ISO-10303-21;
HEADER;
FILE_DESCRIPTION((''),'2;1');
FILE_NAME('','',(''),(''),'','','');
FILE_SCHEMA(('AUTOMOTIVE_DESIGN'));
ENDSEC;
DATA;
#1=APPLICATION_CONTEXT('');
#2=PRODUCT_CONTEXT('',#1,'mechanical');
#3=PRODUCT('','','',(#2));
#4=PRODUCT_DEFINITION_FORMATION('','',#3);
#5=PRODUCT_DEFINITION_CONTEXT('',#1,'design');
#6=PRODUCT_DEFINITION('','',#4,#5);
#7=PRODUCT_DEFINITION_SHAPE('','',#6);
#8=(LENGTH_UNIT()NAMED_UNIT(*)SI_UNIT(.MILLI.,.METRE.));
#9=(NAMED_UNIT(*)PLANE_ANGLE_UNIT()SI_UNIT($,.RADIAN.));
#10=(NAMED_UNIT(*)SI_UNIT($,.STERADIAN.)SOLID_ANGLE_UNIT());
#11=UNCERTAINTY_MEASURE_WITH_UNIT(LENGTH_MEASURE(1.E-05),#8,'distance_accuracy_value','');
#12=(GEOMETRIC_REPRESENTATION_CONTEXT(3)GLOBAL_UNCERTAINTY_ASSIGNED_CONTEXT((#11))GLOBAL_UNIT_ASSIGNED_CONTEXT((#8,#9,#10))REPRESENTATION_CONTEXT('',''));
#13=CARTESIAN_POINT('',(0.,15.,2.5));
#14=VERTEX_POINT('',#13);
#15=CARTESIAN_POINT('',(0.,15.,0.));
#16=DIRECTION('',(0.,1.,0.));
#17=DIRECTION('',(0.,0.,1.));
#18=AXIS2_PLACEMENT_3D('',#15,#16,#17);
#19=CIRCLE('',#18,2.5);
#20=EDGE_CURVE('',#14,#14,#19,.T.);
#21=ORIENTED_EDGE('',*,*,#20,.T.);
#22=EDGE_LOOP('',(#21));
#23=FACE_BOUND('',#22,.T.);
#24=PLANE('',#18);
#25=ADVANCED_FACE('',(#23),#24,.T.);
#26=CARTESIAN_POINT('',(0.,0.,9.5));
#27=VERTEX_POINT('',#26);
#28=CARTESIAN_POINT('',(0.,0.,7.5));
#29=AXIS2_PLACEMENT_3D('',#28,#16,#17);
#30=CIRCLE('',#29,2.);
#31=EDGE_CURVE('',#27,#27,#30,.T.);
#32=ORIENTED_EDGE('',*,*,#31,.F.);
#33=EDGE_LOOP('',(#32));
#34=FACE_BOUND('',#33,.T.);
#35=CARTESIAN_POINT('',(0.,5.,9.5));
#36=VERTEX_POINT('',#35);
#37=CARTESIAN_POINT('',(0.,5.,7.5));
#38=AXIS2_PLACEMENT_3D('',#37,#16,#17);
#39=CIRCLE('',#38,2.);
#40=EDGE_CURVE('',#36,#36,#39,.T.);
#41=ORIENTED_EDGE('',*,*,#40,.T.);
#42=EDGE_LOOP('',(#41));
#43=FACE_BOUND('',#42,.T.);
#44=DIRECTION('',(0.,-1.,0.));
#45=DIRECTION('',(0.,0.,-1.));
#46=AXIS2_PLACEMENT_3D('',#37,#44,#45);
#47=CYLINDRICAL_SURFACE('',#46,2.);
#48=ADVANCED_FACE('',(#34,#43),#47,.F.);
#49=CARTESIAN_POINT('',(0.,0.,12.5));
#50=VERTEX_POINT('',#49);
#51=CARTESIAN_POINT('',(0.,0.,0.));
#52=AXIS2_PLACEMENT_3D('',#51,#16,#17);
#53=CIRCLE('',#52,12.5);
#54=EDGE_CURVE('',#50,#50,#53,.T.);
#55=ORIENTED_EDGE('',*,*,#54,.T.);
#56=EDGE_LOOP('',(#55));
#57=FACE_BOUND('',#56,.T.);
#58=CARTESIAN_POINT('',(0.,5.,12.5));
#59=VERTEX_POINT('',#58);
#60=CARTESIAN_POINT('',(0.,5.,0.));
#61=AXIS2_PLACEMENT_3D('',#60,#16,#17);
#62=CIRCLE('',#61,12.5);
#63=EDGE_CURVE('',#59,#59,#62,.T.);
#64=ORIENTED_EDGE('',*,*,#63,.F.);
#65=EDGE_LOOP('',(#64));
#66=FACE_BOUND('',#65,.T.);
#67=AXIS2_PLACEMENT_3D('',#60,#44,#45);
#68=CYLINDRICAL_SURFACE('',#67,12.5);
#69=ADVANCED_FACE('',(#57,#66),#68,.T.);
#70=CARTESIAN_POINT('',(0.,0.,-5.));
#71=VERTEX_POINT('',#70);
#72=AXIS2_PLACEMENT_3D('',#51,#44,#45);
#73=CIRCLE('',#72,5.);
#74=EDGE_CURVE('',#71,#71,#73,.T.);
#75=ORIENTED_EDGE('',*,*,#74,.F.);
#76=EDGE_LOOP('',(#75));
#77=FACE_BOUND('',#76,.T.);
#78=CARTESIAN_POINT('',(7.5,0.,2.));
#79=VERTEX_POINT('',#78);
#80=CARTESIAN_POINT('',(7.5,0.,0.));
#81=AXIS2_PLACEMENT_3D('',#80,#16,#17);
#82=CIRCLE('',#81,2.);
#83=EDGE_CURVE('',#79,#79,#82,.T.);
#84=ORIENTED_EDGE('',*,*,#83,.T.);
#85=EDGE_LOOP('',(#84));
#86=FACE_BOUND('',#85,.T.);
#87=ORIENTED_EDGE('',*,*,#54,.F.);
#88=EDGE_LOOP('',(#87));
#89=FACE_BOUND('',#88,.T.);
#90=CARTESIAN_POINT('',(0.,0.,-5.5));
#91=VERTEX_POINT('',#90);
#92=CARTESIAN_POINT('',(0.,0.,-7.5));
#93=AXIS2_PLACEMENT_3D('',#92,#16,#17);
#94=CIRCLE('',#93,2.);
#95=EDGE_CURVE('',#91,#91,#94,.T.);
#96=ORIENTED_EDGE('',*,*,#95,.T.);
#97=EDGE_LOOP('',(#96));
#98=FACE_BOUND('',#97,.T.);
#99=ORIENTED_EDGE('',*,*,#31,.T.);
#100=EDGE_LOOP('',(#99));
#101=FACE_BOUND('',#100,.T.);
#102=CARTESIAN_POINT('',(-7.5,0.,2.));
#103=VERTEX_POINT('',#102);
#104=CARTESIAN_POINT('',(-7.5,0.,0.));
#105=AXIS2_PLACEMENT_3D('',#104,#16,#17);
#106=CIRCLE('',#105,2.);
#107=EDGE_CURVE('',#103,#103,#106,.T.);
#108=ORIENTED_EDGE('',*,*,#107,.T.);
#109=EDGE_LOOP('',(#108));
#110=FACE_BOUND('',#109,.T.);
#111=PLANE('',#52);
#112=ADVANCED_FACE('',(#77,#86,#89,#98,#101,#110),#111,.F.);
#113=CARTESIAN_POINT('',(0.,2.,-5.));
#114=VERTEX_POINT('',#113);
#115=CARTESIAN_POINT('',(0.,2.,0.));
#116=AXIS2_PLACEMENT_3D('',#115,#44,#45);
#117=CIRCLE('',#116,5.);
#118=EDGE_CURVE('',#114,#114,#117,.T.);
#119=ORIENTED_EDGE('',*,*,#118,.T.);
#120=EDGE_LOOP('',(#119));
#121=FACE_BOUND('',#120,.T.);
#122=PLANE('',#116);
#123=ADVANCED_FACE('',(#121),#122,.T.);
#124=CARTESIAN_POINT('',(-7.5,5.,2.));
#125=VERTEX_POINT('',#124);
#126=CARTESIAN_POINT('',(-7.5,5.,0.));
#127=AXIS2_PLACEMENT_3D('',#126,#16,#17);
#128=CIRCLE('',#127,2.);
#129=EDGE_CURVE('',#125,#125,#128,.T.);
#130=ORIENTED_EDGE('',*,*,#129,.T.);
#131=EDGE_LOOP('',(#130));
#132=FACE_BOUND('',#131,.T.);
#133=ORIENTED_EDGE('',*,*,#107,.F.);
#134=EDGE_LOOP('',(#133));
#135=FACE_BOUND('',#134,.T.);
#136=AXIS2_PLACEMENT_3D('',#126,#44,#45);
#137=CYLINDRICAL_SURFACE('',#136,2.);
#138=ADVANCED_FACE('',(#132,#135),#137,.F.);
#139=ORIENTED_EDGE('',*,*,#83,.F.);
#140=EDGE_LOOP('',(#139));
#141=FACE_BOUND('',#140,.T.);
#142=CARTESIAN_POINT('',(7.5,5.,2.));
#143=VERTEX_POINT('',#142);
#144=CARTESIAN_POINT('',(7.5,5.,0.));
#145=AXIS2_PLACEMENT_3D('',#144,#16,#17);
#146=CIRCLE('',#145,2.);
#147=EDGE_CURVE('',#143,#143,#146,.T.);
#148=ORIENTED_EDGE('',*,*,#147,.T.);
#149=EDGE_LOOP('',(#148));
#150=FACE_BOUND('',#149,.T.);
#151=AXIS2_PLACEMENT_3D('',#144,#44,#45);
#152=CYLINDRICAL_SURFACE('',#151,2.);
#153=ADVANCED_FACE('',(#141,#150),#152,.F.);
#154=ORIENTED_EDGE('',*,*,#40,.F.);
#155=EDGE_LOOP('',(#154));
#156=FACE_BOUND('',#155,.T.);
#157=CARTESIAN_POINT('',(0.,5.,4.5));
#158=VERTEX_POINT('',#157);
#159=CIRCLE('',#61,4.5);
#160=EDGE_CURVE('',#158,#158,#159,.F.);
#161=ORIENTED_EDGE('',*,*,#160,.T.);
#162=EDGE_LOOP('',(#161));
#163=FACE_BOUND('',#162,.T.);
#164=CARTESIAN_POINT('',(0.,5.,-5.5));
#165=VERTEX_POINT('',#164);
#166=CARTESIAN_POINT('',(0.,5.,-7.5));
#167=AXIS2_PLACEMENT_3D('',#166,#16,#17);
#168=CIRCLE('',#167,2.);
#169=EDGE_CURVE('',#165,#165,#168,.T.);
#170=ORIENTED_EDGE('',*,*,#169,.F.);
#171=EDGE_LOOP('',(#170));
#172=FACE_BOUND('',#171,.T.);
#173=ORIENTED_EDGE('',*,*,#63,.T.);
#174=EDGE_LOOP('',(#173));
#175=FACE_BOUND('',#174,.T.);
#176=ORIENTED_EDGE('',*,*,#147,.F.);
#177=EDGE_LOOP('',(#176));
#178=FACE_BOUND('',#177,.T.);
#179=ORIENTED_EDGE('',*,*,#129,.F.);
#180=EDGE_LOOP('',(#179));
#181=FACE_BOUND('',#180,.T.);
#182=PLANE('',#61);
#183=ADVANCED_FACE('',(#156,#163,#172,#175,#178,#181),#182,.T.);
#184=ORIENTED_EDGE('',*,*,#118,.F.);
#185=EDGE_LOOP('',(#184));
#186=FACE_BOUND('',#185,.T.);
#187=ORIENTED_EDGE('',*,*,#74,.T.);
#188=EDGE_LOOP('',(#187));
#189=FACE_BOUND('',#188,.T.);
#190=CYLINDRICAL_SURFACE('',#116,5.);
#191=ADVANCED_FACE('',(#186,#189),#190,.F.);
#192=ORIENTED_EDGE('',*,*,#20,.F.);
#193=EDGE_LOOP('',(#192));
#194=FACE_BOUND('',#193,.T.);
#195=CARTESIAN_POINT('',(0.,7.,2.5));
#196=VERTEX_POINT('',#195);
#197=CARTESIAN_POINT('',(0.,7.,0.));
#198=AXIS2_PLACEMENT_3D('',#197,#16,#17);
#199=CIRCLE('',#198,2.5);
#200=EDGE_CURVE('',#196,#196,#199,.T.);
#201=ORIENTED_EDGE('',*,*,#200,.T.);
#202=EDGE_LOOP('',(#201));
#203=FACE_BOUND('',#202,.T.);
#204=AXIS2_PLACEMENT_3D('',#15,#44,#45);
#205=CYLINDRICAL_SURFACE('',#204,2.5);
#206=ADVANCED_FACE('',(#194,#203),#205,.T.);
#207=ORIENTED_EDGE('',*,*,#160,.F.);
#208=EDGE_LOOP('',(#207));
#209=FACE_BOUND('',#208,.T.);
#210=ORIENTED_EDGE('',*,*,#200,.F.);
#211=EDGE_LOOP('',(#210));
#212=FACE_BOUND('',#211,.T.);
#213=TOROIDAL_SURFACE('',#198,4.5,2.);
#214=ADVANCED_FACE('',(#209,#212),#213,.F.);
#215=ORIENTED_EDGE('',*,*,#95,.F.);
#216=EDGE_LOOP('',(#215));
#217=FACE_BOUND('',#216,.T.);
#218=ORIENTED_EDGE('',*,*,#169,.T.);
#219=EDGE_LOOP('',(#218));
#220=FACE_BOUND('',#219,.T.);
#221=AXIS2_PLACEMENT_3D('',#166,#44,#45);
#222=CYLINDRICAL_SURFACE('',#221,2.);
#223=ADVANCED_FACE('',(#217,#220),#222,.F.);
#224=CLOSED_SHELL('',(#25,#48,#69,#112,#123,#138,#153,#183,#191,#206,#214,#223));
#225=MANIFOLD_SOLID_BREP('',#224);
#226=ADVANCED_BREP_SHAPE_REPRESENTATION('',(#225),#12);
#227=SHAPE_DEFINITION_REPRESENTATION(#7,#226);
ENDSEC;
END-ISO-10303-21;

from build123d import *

# Parameters (mm, degrees)
SKETCH1_R           = 12.5
SKETCH1_R_2         = 2
BOSS_EXTRUDE1_DEPTH = 5
SKETCH2_R           = 2.5
BOSS_EXTRUDE2_DEPTH = 10
SKETCH3_R           = 5
CUT_EXTRUDE1_DEPTH  = 2
FILLET2_R           = 2


with BuildPart() as part:
    # Sketch1 → Boss-Extrude1 (new body)
    with BuildSketch(Plane(origin=(0, 0, 0), x_dir=(1, 0, 0), z_dir=(0, 1, 0))):
        Circle(SKETCH1_R)
        with Locations((-7.5, 0)):
            Circle(SKETCH1_R_2, mode=Mode.SUBTRACT)
        with Locations((0, 7.5)):
            Circle(SKETCH1_R_2, mode=Mode.SUBTRACT)
        with Locations((7.5, 0)):
            Circle(SKETCH1_R_2, mode=Mode.SUBTRACT)
        with Locations((0, -7.5)):
            Circle(SKETCH1_R_2, mode=Mode.SUBTRACT)
    extrude(amount=BOSS_EXTRUDE1_DEPTH)

    # Sketch2 → Boss-Extrude2 (add)
    with BuildSketch(Plane(origin=(0, 5, 0), x_dir=(1, 0, 0), z_dir=(0, 1, 0))):
        Circle(SKETCH2_R)
    extrude(amount=BOSS_EXTRUDE2_DEPTH)

    # Sketch3 → Cut-Extrude1 (cut)
    with BuildSketch(Plane.XZ):
        Circle(SKETCH3_R)
    extrude(amount=-CUT_EXTRUDE1_DEPTH, mode=Mode.SUBTRACT)

    # Fillet2
    fillet2_edges = [part.edges().sort_by_distance(p)[0] for p in [
        (-2.5, 5, 0),
    ]]
    fillet(fillet2_edges, radius=FILLET2_R)


solid = part.part
